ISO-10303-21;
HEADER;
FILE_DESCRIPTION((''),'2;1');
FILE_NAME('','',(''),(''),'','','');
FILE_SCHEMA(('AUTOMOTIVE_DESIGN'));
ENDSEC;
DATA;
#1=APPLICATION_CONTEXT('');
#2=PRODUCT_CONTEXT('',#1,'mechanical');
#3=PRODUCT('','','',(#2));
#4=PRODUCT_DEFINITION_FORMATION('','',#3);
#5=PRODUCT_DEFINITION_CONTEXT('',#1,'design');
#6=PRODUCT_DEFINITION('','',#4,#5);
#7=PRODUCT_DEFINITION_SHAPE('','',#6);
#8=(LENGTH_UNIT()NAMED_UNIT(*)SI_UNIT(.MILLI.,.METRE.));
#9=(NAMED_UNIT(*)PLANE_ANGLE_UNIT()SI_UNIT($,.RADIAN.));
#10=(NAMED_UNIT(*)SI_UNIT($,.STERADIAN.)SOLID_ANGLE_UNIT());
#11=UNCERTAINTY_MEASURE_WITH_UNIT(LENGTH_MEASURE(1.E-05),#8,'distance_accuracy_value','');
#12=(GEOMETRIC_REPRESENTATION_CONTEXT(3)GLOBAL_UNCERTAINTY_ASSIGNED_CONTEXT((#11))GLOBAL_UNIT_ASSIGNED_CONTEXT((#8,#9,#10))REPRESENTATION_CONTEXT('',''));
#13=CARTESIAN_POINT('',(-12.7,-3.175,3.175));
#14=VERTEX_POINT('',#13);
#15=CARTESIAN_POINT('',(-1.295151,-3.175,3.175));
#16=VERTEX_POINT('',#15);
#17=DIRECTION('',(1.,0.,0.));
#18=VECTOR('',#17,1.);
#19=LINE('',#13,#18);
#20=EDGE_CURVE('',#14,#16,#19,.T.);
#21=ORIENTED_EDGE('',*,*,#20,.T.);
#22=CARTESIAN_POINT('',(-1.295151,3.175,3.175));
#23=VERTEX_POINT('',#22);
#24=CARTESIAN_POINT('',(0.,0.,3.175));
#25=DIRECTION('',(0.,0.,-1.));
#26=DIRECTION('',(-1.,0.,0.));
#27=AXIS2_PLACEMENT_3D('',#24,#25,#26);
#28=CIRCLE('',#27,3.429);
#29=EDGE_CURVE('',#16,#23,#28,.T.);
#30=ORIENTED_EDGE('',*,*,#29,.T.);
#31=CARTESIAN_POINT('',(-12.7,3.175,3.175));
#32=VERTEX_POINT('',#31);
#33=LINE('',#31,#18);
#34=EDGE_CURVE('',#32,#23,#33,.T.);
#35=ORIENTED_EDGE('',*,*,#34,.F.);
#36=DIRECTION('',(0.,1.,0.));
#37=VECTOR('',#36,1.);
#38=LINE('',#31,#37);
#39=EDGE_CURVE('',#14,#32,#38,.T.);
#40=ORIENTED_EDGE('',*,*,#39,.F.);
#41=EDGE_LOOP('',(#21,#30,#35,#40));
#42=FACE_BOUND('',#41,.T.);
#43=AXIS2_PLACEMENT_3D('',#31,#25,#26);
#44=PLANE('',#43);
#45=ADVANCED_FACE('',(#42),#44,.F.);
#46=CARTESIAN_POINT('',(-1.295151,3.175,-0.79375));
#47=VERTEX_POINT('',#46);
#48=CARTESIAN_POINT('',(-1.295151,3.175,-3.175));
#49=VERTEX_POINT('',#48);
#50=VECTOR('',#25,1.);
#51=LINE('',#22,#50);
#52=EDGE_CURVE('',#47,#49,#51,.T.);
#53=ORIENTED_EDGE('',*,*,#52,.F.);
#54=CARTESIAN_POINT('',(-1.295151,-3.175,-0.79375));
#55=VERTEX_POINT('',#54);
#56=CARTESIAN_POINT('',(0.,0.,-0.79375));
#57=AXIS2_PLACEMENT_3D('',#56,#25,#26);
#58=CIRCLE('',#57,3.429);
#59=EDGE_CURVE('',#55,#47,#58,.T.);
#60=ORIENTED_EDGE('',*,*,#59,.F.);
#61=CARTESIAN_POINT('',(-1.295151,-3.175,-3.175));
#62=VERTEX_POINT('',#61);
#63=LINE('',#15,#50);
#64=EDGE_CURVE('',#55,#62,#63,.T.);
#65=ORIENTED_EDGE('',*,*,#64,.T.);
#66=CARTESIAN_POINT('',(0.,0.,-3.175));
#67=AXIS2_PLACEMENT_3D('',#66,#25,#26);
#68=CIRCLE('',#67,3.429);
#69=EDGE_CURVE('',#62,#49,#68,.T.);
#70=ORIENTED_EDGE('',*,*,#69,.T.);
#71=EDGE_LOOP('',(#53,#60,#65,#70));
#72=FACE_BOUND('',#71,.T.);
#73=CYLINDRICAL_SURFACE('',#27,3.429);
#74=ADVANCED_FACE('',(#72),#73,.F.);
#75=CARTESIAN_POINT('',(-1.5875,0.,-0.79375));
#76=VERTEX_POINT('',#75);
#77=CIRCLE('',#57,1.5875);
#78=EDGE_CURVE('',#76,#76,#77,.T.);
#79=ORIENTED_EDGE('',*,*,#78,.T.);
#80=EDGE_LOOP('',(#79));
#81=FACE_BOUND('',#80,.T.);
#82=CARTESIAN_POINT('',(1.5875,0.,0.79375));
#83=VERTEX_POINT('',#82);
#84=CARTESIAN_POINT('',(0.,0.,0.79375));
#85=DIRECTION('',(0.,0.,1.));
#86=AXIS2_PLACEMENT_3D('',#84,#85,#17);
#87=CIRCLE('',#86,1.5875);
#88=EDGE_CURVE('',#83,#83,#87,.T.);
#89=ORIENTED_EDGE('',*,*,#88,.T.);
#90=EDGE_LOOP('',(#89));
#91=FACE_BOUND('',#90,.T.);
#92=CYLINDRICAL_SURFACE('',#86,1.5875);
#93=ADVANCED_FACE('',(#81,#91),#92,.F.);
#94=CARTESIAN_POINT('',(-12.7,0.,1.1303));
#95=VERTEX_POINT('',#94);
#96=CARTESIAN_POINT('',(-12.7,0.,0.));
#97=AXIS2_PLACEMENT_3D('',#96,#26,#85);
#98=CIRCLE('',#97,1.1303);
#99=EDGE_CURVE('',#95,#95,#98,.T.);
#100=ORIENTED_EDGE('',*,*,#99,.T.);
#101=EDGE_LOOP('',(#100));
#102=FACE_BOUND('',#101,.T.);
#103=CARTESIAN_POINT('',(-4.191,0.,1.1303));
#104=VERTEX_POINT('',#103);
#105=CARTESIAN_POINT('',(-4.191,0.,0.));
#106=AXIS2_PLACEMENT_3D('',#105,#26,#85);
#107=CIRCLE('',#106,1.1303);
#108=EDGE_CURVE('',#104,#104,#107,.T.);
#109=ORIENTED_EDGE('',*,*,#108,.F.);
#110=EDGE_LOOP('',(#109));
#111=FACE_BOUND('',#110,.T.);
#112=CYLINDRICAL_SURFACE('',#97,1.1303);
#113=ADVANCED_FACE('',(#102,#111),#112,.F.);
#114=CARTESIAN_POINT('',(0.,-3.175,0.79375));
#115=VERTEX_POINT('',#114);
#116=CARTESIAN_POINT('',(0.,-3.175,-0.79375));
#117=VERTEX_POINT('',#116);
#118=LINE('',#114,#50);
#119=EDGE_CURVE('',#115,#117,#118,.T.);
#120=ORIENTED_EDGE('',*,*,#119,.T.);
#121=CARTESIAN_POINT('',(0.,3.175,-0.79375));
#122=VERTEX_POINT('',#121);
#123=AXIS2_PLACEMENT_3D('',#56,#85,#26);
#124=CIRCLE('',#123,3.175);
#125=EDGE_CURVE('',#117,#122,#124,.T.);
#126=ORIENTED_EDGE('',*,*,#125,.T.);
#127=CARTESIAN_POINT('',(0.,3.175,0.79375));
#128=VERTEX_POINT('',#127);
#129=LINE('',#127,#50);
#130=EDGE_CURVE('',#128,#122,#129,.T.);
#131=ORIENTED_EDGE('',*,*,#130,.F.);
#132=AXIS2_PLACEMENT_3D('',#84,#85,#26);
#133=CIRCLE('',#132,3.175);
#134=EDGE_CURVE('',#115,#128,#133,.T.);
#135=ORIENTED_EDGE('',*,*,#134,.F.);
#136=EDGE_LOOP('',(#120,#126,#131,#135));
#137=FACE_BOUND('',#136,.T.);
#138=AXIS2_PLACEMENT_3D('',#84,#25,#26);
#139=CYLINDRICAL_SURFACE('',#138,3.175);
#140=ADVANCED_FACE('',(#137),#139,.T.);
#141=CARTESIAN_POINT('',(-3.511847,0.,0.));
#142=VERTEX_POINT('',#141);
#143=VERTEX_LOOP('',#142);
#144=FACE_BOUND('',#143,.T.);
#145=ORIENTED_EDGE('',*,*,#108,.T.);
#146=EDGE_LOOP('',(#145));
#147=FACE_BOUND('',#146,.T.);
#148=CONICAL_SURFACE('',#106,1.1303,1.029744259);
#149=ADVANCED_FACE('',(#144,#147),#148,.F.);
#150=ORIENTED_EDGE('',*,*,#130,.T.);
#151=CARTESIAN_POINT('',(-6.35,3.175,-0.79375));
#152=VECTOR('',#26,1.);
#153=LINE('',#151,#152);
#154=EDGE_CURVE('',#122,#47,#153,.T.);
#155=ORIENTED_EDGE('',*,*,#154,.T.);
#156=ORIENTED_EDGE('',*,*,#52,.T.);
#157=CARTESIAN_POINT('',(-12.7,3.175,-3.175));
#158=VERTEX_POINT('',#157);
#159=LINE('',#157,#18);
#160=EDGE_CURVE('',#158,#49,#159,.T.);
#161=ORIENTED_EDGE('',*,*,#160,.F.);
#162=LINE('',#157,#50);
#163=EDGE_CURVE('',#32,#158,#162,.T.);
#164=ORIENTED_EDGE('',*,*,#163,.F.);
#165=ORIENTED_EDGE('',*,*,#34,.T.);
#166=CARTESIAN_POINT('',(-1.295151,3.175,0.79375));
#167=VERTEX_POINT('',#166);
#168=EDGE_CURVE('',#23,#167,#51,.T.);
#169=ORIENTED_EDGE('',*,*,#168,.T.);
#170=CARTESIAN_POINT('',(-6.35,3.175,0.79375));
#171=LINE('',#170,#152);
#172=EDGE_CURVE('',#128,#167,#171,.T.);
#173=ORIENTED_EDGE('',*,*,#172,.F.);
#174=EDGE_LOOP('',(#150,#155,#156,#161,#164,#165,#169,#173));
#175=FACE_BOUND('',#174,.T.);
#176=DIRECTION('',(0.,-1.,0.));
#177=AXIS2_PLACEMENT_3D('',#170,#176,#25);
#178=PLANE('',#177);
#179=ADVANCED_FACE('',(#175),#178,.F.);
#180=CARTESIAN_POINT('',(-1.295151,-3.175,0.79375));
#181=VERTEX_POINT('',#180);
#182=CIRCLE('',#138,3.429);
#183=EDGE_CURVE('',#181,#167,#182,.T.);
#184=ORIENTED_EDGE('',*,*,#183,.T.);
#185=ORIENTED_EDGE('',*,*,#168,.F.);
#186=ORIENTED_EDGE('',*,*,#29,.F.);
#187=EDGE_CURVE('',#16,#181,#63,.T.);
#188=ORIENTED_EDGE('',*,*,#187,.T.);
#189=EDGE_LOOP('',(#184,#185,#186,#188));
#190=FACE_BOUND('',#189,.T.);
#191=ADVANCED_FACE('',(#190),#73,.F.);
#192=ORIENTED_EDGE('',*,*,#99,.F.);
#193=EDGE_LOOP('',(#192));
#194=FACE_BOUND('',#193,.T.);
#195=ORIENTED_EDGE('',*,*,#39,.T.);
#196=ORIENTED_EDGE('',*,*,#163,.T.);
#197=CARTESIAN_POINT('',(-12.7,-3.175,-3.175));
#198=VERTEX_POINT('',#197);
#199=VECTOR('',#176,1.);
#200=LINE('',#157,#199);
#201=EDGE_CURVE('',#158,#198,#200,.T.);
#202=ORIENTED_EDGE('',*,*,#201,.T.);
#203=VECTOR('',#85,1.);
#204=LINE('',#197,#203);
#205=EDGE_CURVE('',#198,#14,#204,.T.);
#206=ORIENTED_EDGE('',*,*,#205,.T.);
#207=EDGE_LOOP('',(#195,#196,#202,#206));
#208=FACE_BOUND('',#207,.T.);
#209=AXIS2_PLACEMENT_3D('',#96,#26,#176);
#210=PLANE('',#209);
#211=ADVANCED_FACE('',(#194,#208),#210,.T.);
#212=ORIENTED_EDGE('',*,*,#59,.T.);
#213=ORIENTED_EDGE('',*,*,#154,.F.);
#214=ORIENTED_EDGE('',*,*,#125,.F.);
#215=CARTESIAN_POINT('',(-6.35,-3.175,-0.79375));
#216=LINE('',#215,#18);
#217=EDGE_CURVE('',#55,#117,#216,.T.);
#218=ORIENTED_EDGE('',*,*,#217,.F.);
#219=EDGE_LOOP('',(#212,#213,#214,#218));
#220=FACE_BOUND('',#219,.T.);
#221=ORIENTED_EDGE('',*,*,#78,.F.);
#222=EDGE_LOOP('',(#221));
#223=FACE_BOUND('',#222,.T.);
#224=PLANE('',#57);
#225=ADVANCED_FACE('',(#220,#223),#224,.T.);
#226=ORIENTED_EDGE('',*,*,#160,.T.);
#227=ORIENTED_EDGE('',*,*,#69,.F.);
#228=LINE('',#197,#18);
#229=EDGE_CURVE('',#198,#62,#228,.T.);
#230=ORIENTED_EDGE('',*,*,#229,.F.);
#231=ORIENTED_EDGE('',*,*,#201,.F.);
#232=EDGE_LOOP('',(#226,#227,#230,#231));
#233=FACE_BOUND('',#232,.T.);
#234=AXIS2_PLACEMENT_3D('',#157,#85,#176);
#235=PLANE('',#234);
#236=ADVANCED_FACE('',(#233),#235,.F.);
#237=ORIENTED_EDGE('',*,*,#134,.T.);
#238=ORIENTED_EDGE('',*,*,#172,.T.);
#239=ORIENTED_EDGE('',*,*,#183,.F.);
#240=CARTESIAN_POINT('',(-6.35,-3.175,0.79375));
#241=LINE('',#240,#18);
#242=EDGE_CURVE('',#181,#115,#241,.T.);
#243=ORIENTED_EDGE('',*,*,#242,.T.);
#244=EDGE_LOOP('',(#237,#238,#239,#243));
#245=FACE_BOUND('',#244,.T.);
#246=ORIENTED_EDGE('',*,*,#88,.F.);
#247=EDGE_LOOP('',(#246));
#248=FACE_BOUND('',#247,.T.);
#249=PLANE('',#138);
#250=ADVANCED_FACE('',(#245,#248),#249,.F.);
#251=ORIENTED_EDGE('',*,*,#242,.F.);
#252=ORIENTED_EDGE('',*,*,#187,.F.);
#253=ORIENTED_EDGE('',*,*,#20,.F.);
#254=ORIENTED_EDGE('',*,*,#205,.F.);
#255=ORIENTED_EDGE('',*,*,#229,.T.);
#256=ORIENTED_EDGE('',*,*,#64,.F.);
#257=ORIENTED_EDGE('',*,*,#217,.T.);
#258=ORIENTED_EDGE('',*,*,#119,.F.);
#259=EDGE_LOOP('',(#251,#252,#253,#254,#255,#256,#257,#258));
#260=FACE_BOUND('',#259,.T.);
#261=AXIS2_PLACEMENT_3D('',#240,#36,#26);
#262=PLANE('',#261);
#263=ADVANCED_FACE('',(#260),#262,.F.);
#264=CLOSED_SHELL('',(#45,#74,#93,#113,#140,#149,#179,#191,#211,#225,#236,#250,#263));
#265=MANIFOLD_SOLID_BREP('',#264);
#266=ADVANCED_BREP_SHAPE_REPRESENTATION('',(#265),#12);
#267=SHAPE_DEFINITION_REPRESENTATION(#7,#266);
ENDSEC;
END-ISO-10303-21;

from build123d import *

# Parameters (mm, degrees)
BOSS_EXTRUDE2_DEPTH              = 0.79375
SKETCH4_W                        = 6.35
SKETCH4_H                        = 6.35
BOSS_EXTRUDE3_DEPTH              = 6.35
BOSS_EXTRUDE4_DEPTH              = 3.175
F_4_40_TAPPED_HOLE3_D            = 2.2606
F_4_40_TAPPED_HOLE3_DEPTH        = 8.509
F_4_40_TAPPED_HOLE3_TIP          = 0.679152758
F_1_8_0_125_DIAMETER_HOLE1_D     = 3.175
F_1_8_0_125_DIAMETER_HOLE1_DEPTH = 1.5875


with BuildPart() as part:
    # Sketch2 → Boss-Extrude2 (new body, symmetric)
    with BuildSketch(Plane.XY):
        with BuildLine():
            Line((-6.35, 3.175), (0, 3.175))
            ThreePointArc((0, 3.175), (3.175, 0), (0, -3.175))
            Line((0, -3.175), (-6.35, -3.175))
            Line((-6.35, -3.175), (-6.35, 3.175))
        make_face()
    extrude(amount=BOSS_EXTRUDE2_DEPTH, both=True)

    # Sketch4 → Boss-Extrude3 (add)
    with BuildSketch(Plane.ZY.offset(6.35)):
        Rectangle(SKETCH4_W, SKETCH4_H)
    extrude(amount=BOSS_EXTRUDE3_DEPTH)

    # Sketch10 → Boss-Extrude4 (add, symmetric)
    with BuildSketch(Plane.XY):
        with BuildLine():
            Line((-6.35, 3.175), (-3.175, 3.175))
            Line((-3.175, 3.175), (-1.295150956, 3.175))
            ThreePointArc((-1.295150956, 3.175), (-3.429, 0), (-1.295150956, -3.175))
            Line((-1.295150956, -3.175), (-3.175, -3.175))
            Line((-3.175, -3.175), (-6.35, -3.175))
            Line((-6.35, -3.175), (-6.35, 3.175))
        make_face()
    extrude(amount=BOSS_EXTRUDE4_DEPTH, both=True)

    # #4-40 Tapped Hole3
    with Locations(Plane.ZY.offset(12.7)):
        with Locations((0, 0)):
            Hole(F_4_40_TAPPED_HOLE3_D / 2, depth=F_4_40_TAPPED_HOLE3_DEPTH)
            with Locations((0, 0, -(F_4_40_TAPPED_HOLE3_DEPTH + F_4_40_TAPPED_HOLE3_TIP / 2))):  # 118° drill point
                Cone(0, F_4_40_TAPPED_HOLE3_D / 2, F_4_40_TAPPED_HOLE3_TIP, mode=Mode.SUBTRACT)

    # 1/8 (0.125) Diameter Hole1
    with Locations(Plane.XY.offset(0.79375)):
        with Locations((0, 0)):
            Hole(F_1_8_0_125_DIAMETER_HOLE1_D / 2, depth=F_1_8_0_125_DIAMETER_HOLE1_DEPTH)


solid = part.part
